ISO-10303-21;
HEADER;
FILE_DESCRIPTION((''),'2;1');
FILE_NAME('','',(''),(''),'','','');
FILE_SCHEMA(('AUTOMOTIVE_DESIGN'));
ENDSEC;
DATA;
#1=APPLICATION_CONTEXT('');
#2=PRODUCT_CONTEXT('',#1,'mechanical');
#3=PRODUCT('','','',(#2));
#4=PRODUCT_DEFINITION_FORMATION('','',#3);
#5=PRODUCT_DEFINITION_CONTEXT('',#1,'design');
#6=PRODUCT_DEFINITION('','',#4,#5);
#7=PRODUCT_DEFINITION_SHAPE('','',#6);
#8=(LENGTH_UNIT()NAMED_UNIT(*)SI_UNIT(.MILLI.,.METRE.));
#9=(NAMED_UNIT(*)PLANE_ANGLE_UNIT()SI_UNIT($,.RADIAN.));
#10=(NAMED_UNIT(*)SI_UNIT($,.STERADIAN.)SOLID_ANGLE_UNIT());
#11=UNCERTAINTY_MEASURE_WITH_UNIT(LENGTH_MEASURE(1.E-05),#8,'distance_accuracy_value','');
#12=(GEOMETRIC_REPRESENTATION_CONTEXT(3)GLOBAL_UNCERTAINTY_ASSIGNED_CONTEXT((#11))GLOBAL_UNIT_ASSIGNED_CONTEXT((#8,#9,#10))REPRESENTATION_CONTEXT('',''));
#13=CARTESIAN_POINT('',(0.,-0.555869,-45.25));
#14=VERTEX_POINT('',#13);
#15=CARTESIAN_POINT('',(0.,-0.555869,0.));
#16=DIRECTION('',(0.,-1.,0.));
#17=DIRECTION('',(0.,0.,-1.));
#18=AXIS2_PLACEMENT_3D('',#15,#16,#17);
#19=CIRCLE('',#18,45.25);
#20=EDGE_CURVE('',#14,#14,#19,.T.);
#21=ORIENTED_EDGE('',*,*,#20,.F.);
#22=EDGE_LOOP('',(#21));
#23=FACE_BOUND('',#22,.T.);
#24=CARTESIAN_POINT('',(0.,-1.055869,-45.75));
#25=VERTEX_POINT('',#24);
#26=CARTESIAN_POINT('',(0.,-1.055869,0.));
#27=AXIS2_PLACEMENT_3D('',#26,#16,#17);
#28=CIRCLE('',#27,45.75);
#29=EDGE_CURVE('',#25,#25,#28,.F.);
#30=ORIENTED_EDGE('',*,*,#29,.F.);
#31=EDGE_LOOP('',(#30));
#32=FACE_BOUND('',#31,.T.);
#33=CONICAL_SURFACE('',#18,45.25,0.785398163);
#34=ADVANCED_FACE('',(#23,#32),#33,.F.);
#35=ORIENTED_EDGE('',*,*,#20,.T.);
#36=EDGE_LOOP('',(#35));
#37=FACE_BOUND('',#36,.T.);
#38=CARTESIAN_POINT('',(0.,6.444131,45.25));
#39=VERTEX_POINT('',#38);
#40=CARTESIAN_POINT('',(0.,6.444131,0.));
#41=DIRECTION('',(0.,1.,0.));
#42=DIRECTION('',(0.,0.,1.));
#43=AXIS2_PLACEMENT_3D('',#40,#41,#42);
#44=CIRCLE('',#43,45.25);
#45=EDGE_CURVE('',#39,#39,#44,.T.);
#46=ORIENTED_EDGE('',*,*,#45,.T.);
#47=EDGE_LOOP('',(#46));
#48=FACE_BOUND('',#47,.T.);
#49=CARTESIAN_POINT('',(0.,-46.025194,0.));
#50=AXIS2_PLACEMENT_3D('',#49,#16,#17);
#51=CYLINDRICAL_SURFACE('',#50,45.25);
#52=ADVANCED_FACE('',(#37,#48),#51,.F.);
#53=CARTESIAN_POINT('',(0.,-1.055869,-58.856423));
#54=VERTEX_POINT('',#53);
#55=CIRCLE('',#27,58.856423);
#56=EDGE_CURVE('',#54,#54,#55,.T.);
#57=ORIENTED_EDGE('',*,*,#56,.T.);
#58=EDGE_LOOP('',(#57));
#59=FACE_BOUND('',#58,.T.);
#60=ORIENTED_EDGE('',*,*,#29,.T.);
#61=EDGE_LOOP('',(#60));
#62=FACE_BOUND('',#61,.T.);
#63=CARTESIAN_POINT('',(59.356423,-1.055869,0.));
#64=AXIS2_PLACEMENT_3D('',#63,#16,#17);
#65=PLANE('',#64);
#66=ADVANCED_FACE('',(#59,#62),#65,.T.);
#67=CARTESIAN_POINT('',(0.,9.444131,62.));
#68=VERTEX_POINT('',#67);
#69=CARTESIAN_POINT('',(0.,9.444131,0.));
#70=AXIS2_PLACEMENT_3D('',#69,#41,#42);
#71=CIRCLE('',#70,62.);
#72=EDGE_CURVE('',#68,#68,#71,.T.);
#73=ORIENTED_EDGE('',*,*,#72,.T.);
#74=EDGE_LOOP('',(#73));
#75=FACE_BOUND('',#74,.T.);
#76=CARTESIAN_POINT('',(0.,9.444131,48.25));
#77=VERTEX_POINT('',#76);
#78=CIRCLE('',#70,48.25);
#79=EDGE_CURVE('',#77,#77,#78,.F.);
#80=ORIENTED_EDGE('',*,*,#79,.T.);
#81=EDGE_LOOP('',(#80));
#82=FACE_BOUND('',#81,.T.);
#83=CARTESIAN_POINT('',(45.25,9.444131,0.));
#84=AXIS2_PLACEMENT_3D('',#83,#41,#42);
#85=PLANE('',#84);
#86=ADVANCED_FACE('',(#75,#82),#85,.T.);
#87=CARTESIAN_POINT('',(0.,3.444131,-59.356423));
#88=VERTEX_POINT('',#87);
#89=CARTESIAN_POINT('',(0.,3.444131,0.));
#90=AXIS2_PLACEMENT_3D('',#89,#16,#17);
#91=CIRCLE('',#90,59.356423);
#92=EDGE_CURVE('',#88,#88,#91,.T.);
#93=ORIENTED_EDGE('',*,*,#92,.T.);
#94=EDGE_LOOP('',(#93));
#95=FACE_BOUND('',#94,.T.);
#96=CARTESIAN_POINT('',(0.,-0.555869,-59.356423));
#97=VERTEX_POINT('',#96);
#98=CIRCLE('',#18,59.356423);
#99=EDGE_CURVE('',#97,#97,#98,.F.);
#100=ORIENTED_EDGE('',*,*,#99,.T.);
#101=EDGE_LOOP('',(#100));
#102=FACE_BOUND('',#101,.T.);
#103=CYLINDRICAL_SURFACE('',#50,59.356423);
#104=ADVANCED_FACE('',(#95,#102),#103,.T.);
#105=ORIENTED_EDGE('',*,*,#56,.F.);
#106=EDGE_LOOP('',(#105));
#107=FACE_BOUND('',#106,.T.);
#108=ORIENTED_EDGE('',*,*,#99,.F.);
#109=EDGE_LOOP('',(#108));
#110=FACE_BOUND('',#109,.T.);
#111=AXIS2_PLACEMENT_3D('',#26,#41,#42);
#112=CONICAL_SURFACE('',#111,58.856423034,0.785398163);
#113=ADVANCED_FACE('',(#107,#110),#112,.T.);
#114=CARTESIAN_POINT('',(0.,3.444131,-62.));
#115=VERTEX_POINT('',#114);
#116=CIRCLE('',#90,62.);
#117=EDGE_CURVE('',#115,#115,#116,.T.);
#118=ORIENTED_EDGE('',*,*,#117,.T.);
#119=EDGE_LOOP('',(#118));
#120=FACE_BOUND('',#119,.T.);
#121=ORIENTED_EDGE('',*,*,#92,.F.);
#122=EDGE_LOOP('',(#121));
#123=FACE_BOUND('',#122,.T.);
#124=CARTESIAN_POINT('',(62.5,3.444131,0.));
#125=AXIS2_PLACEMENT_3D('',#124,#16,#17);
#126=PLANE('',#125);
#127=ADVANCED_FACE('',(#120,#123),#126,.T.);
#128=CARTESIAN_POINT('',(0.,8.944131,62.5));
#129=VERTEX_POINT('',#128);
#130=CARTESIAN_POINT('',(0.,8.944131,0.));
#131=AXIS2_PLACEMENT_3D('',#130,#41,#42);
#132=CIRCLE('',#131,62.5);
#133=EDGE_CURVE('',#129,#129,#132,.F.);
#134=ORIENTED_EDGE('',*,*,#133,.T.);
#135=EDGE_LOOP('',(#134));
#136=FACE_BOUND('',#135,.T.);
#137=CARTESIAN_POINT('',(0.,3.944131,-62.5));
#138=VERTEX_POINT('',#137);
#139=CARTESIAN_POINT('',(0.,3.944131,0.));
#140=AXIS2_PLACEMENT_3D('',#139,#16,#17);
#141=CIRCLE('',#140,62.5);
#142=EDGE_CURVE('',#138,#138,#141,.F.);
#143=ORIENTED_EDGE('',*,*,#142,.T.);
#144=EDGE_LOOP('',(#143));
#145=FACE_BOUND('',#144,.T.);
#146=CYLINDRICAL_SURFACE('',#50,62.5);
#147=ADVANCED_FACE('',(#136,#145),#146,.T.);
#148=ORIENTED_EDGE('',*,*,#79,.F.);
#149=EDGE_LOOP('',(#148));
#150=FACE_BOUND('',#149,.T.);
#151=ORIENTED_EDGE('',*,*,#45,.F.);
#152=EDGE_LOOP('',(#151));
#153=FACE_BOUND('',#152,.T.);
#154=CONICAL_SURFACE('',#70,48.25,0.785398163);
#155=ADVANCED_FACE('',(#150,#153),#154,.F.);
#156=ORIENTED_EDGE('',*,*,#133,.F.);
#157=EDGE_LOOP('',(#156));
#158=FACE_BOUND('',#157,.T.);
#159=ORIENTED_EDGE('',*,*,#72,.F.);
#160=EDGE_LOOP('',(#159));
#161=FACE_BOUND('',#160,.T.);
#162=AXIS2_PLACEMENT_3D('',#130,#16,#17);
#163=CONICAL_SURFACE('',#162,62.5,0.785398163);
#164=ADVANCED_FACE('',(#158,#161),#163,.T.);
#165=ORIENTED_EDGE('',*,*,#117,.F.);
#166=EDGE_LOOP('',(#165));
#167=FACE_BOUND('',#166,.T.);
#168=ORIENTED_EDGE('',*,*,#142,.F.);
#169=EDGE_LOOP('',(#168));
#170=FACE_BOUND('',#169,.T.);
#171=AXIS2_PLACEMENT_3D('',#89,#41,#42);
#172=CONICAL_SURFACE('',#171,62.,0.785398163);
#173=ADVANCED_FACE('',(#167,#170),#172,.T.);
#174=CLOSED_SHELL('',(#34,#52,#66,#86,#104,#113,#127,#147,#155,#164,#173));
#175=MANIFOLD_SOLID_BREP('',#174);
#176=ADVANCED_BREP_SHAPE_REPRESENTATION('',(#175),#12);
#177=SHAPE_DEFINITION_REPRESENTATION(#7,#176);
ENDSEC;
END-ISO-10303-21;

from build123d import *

# Parameters (mm, degrees)
CHANFRO1_SIZE = 3
CHANFRO2_SIZE = 0.5


with BuildPart() as part:
    # Esboço1 → Revolução1 (revolve)
    with BuildSketch(Plane.XY, mode=Mode.PRIVATE) as revolu_o1_sk:
        Polygon((45.25, 9.444130676), (62.5, 9.444130676), (62.5, 3.444130676), (59.356423034, 3.444130676), (59.356423034, -1.055869324), (45.25, -1.055869324), align=None)
    revolve(revolu_o1_sk.sketch.rotate(Axis((0, -46.025193798, 0), (0, 1, 0)), 90), axis=Axis((0, -46.025193798, 0), (0, 1, 0)))

    # Chanfro1
    chanfro1_edges = [part.edges().sort_by_distance(p)[0] for p in [
        (0, 9.444130676, 45.25),
    ]]
    chamfer(chanfro1_edges, length=CHANFRO1_SIZE)

    # Chanfro2
    chanfro2_edges = [part.edges().sort_by_distance(p)[0] for p in [
        (0, -1.055869324, 45.25),
        (0, -1.055869324, 59.356423034),
        (0, 3.444130676, 62.5),
        (0, 9.444130676, 62.5),
    ]]
    chamfer(chanfro2_edges, length=CHANFRO2_SIZE)


solid = part.part
